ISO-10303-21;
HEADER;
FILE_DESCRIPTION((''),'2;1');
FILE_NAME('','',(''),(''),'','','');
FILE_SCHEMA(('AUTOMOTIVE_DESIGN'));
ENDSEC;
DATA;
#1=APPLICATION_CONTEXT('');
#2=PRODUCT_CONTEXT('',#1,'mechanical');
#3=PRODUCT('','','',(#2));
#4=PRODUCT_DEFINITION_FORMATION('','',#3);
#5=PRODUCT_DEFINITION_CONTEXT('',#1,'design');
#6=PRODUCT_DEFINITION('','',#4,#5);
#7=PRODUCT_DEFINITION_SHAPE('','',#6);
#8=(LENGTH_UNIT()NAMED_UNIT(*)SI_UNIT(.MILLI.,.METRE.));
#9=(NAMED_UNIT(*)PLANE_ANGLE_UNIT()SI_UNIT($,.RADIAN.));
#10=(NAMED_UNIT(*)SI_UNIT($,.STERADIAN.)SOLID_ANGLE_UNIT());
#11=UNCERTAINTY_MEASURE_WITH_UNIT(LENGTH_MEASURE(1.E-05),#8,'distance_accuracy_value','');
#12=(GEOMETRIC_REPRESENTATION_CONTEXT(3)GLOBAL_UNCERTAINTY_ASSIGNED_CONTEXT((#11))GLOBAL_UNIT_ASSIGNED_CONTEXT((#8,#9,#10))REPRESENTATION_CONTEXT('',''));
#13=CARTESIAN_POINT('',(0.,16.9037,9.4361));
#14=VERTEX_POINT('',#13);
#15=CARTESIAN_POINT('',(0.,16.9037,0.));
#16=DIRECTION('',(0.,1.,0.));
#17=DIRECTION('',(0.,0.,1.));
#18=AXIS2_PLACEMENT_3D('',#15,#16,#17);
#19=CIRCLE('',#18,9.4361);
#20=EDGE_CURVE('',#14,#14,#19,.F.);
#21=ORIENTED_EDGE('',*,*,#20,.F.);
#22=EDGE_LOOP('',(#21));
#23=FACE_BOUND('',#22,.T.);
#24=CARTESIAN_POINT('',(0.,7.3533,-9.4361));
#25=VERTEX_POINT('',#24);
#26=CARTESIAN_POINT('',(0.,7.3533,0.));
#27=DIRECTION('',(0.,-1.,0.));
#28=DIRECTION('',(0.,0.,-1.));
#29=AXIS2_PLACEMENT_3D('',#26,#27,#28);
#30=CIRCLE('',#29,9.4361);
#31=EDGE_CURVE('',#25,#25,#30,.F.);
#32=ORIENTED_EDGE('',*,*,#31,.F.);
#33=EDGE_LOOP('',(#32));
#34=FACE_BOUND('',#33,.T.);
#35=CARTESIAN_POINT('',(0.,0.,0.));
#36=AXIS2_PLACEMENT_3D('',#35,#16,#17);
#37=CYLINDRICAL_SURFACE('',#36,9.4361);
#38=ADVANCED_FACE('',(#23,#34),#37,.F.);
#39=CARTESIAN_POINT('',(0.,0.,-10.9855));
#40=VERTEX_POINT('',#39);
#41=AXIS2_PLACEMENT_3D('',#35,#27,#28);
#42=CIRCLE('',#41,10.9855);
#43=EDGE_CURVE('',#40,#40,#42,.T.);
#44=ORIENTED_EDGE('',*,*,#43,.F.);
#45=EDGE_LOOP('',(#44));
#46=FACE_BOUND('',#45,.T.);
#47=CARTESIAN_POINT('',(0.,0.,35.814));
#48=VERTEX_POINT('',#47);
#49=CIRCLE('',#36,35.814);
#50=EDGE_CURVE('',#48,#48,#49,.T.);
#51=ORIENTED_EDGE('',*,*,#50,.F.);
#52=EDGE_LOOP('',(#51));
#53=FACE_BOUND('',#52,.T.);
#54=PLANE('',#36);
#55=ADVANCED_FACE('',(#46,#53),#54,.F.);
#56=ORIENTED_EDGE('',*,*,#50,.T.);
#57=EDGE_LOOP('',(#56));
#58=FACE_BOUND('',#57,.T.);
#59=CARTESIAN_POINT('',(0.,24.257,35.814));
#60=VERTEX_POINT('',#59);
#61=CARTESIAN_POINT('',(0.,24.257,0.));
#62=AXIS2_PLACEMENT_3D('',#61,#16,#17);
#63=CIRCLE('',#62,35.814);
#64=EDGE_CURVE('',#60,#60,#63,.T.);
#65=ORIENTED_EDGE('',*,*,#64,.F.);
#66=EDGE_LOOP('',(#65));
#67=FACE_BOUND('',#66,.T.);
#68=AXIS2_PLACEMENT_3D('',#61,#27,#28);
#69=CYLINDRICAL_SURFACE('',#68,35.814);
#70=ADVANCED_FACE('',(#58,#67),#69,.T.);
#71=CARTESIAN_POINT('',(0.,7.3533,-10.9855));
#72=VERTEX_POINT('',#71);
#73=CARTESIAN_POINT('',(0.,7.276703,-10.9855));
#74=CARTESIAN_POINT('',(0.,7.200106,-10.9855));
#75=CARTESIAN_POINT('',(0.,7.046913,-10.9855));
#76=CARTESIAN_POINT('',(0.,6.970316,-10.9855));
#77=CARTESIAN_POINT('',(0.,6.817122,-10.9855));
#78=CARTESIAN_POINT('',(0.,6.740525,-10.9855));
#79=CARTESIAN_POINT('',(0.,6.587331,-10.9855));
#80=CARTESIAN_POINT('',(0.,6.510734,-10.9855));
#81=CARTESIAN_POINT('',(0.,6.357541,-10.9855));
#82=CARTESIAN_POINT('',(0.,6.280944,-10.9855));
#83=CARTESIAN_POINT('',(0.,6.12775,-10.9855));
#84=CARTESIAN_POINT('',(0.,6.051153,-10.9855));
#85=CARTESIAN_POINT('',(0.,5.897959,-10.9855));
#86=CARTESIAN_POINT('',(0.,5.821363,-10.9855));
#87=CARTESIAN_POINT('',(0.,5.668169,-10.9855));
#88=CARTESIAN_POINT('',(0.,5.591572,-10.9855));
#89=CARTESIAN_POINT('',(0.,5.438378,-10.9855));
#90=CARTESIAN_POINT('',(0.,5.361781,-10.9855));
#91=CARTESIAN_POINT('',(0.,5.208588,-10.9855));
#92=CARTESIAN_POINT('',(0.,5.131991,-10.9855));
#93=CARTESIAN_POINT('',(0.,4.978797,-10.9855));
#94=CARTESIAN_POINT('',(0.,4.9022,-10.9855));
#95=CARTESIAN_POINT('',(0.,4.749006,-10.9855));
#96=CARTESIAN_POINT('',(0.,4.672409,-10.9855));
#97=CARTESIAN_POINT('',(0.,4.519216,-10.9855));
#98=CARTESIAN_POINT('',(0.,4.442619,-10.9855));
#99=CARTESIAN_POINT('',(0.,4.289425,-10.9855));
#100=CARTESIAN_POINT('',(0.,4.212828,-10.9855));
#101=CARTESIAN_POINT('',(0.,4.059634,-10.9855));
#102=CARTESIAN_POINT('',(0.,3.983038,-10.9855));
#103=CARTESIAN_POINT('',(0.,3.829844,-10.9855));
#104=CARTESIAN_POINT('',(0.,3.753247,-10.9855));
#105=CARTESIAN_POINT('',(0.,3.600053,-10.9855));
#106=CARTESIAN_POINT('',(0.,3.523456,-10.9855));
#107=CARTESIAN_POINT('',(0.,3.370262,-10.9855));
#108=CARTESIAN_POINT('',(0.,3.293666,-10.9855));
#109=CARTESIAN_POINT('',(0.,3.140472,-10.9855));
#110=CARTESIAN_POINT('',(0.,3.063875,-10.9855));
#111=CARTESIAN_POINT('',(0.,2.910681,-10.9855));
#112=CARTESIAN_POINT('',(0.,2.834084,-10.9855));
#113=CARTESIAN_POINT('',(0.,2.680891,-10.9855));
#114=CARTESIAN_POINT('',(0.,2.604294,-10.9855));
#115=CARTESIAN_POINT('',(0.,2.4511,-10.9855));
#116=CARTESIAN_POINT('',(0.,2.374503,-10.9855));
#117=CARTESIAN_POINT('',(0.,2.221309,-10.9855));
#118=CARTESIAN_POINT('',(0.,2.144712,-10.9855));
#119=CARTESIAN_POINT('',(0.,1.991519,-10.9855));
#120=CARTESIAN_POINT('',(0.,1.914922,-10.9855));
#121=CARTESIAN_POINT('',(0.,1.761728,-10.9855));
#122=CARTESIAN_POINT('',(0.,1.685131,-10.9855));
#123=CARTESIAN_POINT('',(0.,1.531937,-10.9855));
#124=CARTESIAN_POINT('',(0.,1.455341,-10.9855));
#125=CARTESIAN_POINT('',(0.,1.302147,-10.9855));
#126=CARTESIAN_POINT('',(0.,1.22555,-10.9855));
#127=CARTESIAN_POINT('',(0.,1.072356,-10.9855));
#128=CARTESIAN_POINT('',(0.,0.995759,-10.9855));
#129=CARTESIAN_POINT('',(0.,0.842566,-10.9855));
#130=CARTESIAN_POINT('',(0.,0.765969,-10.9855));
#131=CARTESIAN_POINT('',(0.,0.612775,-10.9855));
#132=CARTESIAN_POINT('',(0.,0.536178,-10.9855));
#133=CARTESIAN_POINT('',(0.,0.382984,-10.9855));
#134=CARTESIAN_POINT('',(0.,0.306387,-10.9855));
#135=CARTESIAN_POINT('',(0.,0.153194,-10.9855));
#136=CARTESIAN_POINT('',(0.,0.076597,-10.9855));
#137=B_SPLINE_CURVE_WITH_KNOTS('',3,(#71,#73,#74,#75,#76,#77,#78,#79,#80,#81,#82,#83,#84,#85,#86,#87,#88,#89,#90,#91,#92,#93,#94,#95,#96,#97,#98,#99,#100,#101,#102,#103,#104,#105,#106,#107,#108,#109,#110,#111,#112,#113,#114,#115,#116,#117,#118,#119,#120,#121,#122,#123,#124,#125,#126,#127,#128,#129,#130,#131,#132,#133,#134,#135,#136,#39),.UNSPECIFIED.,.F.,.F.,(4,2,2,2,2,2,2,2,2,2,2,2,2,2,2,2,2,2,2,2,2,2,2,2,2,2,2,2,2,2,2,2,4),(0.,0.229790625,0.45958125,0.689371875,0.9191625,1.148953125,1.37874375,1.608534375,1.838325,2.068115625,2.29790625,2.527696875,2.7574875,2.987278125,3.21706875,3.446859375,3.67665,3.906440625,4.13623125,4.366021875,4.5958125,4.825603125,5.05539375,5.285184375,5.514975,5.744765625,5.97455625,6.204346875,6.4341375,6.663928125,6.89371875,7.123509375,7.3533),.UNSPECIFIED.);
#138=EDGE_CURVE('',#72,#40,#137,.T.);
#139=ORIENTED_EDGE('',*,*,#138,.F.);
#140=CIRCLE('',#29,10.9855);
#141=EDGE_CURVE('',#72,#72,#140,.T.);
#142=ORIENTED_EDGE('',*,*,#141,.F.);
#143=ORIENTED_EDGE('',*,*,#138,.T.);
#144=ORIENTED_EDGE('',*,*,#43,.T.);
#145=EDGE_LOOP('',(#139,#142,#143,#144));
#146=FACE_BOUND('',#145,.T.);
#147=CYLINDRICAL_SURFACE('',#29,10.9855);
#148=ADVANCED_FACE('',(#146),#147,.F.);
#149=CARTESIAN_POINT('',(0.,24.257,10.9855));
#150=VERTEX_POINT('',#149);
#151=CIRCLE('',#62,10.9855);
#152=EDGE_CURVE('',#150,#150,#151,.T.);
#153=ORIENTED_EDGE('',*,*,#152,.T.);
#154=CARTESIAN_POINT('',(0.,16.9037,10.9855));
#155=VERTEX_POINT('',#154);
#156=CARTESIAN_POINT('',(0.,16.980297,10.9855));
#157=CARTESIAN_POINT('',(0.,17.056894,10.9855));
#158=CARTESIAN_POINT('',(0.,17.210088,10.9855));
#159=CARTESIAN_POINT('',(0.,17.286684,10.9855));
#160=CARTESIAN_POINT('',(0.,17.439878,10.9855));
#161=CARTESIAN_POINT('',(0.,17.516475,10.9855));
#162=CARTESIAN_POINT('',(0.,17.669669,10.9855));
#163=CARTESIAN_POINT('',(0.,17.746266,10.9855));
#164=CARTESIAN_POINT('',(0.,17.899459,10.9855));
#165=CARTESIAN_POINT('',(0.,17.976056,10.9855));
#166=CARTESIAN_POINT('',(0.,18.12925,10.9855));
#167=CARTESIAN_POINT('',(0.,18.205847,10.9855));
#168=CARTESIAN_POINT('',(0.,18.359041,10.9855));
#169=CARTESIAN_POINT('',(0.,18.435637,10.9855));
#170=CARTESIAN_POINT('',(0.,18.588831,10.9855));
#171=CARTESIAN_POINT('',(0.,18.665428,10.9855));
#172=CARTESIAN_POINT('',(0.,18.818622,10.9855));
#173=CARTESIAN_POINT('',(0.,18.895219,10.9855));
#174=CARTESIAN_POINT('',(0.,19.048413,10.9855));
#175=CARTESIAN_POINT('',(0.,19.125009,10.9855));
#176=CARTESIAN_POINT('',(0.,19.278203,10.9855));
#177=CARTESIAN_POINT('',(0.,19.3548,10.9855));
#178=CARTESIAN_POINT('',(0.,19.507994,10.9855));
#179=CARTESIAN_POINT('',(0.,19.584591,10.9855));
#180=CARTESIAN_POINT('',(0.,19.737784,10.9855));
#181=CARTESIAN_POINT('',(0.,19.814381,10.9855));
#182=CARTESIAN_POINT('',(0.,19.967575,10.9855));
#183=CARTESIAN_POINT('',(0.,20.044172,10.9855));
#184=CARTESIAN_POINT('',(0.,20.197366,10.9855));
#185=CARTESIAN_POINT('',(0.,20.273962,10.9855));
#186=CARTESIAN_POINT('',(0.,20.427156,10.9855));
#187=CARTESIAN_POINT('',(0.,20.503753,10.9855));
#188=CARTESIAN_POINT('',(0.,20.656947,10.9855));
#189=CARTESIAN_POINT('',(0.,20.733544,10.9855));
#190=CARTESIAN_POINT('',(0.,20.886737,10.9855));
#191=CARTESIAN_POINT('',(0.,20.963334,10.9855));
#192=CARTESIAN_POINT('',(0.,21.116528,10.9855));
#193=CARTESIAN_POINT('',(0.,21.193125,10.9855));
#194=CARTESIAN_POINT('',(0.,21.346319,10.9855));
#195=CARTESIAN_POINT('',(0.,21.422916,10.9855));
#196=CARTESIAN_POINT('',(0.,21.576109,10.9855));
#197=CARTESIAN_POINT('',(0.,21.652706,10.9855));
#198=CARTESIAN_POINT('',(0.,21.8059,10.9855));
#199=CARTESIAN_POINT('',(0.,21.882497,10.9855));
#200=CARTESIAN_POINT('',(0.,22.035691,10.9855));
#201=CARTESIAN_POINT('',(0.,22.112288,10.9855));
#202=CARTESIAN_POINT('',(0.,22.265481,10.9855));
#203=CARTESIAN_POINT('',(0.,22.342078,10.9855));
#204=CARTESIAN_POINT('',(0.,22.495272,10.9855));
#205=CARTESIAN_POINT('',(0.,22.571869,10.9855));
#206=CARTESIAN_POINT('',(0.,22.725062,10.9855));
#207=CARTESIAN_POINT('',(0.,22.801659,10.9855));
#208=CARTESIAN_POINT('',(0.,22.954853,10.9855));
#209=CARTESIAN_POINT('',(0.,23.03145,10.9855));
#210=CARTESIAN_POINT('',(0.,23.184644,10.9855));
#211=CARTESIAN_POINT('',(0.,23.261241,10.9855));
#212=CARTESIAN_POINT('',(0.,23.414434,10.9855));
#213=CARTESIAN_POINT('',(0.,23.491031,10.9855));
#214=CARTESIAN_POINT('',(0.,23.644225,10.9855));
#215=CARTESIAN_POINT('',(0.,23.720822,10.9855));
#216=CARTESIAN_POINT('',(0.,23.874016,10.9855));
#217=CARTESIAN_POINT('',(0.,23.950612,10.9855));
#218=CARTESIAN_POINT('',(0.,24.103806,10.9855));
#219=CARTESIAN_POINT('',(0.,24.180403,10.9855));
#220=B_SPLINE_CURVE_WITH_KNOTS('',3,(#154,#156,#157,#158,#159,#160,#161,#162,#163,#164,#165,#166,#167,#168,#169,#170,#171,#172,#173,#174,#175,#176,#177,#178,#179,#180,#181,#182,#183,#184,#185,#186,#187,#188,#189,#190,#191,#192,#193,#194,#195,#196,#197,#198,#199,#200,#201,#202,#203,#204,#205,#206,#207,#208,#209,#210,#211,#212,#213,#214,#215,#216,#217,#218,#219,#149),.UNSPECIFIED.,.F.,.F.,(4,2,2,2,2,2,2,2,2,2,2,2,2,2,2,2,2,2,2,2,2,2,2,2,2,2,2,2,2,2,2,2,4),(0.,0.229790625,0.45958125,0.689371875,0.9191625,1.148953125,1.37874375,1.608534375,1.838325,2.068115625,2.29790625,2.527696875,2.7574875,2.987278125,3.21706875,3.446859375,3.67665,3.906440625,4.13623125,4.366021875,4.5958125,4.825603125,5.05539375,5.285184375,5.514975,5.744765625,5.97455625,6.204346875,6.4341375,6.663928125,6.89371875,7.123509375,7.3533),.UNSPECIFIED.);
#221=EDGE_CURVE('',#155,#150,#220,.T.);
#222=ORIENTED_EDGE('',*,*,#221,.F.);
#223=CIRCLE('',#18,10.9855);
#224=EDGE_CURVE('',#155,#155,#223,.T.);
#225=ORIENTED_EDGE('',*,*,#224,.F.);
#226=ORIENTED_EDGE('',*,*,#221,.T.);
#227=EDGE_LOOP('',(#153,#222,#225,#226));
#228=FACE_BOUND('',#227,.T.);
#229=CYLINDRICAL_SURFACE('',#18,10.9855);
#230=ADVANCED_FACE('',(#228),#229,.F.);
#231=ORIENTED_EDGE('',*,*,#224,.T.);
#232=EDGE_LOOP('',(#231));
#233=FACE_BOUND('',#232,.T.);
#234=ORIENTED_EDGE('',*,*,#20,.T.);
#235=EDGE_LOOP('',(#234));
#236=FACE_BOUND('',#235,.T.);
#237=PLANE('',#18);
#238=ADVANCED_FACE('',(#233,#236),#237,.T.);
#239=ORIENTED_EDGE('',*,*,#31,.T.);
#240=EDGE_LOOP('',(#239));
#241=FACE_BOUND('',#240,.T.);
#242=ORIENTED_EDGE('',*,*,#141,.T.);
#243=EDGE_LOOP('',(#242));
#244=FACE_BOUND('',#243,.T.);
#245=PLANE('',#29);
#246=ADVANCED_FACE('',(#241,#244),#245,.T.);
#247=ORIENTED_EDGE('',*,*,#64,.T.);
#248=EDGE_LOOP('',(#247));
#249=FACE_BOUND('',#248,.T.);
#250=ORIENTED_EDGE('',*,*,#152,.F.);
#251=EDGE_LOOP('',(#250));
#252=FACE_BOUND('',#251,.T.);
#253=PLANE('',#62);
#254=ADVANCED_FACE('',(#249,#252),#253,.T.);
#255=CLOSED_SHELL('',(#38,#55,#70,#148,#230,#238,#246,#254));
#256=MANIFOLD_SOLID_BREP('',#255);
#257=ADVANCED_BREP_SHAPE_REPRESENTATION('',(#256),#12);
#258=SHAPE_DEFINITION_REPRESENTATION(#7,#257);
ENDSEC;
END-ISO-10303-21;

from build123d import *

# Parameters (mm, degrees)
SKETCH1_R           = 35.814
BOSS_EXTRUDE1_DEPTH = 24.257
SKETCH2_R           = 9.4361
CUT_EXTRUDE1_DEPTH  = 57.157699748
SKETCH3_R           = 10.9855
CUT_EXTRUDE2_DEPTH  = 7.3533
CUT_EXTRUDE3_START  = -7.3533
SKETCH4_R           = 10.9855
CUT_EXTRUDE3_DEPTH  = 7.3533


with BuildPart() as part:
    # Sketch1 → Boss-Extrude1 (new body)
    with BuildSketch(Plane(origin=(0, 0, 0), x_dir=(1, 0, 0), z_dir=(0, 1, 0))):
        with Locations(Location((0, 0, 0), (0, 0, 270))):
            Circle(SKETCH1_R)
    extrude(amount=BOSS_EXTRUDE1_DEPTH)

    # Sketch2 → Cut-Extrude1 (cut, through all)
    with BuildSketch(Plane(origin=(0, 24.257, 0), x_dir=(1, 0, 0), z_dir=(0, 1, 0))):
        with Locations(Location((0, 0, 0), (0, 0, 270))):
            Circle(SKETCH2_R)
    extrude(amount=-CUT_EXTRUDE1_DEPTH, mode=Mode.SUBTRACT)

    # Sketch3 → Cut-Extrude2 (cut)
    with BuildSketch(Plane(origin=(0, 24.257, 0), x_dir=(1, 0, 0), z_dir=(0, 1, 0))):
        with Locations(Location((0, 0, 0), (0, 0, 270))):
            Circle(SKETCH3_R)
    extrude(amount=-CUT_EXTRUDE2_DEPTH, mode=Mode.SUBTRACT)

    # Sketch4 → Cut-Extrude3 (cut)
    with BuildSketch(Plane.XZ.offset(CUT_EXTRUDE3_START)):
        with Locations(Location((0, 0, 0), (0, 0, 90))):
            Circle(SKETCH4_R)
    extrude(amount=CUT_EXTRUDE3_DEPTH, mode=Mode.SUBTRACT)


solid = part.part
